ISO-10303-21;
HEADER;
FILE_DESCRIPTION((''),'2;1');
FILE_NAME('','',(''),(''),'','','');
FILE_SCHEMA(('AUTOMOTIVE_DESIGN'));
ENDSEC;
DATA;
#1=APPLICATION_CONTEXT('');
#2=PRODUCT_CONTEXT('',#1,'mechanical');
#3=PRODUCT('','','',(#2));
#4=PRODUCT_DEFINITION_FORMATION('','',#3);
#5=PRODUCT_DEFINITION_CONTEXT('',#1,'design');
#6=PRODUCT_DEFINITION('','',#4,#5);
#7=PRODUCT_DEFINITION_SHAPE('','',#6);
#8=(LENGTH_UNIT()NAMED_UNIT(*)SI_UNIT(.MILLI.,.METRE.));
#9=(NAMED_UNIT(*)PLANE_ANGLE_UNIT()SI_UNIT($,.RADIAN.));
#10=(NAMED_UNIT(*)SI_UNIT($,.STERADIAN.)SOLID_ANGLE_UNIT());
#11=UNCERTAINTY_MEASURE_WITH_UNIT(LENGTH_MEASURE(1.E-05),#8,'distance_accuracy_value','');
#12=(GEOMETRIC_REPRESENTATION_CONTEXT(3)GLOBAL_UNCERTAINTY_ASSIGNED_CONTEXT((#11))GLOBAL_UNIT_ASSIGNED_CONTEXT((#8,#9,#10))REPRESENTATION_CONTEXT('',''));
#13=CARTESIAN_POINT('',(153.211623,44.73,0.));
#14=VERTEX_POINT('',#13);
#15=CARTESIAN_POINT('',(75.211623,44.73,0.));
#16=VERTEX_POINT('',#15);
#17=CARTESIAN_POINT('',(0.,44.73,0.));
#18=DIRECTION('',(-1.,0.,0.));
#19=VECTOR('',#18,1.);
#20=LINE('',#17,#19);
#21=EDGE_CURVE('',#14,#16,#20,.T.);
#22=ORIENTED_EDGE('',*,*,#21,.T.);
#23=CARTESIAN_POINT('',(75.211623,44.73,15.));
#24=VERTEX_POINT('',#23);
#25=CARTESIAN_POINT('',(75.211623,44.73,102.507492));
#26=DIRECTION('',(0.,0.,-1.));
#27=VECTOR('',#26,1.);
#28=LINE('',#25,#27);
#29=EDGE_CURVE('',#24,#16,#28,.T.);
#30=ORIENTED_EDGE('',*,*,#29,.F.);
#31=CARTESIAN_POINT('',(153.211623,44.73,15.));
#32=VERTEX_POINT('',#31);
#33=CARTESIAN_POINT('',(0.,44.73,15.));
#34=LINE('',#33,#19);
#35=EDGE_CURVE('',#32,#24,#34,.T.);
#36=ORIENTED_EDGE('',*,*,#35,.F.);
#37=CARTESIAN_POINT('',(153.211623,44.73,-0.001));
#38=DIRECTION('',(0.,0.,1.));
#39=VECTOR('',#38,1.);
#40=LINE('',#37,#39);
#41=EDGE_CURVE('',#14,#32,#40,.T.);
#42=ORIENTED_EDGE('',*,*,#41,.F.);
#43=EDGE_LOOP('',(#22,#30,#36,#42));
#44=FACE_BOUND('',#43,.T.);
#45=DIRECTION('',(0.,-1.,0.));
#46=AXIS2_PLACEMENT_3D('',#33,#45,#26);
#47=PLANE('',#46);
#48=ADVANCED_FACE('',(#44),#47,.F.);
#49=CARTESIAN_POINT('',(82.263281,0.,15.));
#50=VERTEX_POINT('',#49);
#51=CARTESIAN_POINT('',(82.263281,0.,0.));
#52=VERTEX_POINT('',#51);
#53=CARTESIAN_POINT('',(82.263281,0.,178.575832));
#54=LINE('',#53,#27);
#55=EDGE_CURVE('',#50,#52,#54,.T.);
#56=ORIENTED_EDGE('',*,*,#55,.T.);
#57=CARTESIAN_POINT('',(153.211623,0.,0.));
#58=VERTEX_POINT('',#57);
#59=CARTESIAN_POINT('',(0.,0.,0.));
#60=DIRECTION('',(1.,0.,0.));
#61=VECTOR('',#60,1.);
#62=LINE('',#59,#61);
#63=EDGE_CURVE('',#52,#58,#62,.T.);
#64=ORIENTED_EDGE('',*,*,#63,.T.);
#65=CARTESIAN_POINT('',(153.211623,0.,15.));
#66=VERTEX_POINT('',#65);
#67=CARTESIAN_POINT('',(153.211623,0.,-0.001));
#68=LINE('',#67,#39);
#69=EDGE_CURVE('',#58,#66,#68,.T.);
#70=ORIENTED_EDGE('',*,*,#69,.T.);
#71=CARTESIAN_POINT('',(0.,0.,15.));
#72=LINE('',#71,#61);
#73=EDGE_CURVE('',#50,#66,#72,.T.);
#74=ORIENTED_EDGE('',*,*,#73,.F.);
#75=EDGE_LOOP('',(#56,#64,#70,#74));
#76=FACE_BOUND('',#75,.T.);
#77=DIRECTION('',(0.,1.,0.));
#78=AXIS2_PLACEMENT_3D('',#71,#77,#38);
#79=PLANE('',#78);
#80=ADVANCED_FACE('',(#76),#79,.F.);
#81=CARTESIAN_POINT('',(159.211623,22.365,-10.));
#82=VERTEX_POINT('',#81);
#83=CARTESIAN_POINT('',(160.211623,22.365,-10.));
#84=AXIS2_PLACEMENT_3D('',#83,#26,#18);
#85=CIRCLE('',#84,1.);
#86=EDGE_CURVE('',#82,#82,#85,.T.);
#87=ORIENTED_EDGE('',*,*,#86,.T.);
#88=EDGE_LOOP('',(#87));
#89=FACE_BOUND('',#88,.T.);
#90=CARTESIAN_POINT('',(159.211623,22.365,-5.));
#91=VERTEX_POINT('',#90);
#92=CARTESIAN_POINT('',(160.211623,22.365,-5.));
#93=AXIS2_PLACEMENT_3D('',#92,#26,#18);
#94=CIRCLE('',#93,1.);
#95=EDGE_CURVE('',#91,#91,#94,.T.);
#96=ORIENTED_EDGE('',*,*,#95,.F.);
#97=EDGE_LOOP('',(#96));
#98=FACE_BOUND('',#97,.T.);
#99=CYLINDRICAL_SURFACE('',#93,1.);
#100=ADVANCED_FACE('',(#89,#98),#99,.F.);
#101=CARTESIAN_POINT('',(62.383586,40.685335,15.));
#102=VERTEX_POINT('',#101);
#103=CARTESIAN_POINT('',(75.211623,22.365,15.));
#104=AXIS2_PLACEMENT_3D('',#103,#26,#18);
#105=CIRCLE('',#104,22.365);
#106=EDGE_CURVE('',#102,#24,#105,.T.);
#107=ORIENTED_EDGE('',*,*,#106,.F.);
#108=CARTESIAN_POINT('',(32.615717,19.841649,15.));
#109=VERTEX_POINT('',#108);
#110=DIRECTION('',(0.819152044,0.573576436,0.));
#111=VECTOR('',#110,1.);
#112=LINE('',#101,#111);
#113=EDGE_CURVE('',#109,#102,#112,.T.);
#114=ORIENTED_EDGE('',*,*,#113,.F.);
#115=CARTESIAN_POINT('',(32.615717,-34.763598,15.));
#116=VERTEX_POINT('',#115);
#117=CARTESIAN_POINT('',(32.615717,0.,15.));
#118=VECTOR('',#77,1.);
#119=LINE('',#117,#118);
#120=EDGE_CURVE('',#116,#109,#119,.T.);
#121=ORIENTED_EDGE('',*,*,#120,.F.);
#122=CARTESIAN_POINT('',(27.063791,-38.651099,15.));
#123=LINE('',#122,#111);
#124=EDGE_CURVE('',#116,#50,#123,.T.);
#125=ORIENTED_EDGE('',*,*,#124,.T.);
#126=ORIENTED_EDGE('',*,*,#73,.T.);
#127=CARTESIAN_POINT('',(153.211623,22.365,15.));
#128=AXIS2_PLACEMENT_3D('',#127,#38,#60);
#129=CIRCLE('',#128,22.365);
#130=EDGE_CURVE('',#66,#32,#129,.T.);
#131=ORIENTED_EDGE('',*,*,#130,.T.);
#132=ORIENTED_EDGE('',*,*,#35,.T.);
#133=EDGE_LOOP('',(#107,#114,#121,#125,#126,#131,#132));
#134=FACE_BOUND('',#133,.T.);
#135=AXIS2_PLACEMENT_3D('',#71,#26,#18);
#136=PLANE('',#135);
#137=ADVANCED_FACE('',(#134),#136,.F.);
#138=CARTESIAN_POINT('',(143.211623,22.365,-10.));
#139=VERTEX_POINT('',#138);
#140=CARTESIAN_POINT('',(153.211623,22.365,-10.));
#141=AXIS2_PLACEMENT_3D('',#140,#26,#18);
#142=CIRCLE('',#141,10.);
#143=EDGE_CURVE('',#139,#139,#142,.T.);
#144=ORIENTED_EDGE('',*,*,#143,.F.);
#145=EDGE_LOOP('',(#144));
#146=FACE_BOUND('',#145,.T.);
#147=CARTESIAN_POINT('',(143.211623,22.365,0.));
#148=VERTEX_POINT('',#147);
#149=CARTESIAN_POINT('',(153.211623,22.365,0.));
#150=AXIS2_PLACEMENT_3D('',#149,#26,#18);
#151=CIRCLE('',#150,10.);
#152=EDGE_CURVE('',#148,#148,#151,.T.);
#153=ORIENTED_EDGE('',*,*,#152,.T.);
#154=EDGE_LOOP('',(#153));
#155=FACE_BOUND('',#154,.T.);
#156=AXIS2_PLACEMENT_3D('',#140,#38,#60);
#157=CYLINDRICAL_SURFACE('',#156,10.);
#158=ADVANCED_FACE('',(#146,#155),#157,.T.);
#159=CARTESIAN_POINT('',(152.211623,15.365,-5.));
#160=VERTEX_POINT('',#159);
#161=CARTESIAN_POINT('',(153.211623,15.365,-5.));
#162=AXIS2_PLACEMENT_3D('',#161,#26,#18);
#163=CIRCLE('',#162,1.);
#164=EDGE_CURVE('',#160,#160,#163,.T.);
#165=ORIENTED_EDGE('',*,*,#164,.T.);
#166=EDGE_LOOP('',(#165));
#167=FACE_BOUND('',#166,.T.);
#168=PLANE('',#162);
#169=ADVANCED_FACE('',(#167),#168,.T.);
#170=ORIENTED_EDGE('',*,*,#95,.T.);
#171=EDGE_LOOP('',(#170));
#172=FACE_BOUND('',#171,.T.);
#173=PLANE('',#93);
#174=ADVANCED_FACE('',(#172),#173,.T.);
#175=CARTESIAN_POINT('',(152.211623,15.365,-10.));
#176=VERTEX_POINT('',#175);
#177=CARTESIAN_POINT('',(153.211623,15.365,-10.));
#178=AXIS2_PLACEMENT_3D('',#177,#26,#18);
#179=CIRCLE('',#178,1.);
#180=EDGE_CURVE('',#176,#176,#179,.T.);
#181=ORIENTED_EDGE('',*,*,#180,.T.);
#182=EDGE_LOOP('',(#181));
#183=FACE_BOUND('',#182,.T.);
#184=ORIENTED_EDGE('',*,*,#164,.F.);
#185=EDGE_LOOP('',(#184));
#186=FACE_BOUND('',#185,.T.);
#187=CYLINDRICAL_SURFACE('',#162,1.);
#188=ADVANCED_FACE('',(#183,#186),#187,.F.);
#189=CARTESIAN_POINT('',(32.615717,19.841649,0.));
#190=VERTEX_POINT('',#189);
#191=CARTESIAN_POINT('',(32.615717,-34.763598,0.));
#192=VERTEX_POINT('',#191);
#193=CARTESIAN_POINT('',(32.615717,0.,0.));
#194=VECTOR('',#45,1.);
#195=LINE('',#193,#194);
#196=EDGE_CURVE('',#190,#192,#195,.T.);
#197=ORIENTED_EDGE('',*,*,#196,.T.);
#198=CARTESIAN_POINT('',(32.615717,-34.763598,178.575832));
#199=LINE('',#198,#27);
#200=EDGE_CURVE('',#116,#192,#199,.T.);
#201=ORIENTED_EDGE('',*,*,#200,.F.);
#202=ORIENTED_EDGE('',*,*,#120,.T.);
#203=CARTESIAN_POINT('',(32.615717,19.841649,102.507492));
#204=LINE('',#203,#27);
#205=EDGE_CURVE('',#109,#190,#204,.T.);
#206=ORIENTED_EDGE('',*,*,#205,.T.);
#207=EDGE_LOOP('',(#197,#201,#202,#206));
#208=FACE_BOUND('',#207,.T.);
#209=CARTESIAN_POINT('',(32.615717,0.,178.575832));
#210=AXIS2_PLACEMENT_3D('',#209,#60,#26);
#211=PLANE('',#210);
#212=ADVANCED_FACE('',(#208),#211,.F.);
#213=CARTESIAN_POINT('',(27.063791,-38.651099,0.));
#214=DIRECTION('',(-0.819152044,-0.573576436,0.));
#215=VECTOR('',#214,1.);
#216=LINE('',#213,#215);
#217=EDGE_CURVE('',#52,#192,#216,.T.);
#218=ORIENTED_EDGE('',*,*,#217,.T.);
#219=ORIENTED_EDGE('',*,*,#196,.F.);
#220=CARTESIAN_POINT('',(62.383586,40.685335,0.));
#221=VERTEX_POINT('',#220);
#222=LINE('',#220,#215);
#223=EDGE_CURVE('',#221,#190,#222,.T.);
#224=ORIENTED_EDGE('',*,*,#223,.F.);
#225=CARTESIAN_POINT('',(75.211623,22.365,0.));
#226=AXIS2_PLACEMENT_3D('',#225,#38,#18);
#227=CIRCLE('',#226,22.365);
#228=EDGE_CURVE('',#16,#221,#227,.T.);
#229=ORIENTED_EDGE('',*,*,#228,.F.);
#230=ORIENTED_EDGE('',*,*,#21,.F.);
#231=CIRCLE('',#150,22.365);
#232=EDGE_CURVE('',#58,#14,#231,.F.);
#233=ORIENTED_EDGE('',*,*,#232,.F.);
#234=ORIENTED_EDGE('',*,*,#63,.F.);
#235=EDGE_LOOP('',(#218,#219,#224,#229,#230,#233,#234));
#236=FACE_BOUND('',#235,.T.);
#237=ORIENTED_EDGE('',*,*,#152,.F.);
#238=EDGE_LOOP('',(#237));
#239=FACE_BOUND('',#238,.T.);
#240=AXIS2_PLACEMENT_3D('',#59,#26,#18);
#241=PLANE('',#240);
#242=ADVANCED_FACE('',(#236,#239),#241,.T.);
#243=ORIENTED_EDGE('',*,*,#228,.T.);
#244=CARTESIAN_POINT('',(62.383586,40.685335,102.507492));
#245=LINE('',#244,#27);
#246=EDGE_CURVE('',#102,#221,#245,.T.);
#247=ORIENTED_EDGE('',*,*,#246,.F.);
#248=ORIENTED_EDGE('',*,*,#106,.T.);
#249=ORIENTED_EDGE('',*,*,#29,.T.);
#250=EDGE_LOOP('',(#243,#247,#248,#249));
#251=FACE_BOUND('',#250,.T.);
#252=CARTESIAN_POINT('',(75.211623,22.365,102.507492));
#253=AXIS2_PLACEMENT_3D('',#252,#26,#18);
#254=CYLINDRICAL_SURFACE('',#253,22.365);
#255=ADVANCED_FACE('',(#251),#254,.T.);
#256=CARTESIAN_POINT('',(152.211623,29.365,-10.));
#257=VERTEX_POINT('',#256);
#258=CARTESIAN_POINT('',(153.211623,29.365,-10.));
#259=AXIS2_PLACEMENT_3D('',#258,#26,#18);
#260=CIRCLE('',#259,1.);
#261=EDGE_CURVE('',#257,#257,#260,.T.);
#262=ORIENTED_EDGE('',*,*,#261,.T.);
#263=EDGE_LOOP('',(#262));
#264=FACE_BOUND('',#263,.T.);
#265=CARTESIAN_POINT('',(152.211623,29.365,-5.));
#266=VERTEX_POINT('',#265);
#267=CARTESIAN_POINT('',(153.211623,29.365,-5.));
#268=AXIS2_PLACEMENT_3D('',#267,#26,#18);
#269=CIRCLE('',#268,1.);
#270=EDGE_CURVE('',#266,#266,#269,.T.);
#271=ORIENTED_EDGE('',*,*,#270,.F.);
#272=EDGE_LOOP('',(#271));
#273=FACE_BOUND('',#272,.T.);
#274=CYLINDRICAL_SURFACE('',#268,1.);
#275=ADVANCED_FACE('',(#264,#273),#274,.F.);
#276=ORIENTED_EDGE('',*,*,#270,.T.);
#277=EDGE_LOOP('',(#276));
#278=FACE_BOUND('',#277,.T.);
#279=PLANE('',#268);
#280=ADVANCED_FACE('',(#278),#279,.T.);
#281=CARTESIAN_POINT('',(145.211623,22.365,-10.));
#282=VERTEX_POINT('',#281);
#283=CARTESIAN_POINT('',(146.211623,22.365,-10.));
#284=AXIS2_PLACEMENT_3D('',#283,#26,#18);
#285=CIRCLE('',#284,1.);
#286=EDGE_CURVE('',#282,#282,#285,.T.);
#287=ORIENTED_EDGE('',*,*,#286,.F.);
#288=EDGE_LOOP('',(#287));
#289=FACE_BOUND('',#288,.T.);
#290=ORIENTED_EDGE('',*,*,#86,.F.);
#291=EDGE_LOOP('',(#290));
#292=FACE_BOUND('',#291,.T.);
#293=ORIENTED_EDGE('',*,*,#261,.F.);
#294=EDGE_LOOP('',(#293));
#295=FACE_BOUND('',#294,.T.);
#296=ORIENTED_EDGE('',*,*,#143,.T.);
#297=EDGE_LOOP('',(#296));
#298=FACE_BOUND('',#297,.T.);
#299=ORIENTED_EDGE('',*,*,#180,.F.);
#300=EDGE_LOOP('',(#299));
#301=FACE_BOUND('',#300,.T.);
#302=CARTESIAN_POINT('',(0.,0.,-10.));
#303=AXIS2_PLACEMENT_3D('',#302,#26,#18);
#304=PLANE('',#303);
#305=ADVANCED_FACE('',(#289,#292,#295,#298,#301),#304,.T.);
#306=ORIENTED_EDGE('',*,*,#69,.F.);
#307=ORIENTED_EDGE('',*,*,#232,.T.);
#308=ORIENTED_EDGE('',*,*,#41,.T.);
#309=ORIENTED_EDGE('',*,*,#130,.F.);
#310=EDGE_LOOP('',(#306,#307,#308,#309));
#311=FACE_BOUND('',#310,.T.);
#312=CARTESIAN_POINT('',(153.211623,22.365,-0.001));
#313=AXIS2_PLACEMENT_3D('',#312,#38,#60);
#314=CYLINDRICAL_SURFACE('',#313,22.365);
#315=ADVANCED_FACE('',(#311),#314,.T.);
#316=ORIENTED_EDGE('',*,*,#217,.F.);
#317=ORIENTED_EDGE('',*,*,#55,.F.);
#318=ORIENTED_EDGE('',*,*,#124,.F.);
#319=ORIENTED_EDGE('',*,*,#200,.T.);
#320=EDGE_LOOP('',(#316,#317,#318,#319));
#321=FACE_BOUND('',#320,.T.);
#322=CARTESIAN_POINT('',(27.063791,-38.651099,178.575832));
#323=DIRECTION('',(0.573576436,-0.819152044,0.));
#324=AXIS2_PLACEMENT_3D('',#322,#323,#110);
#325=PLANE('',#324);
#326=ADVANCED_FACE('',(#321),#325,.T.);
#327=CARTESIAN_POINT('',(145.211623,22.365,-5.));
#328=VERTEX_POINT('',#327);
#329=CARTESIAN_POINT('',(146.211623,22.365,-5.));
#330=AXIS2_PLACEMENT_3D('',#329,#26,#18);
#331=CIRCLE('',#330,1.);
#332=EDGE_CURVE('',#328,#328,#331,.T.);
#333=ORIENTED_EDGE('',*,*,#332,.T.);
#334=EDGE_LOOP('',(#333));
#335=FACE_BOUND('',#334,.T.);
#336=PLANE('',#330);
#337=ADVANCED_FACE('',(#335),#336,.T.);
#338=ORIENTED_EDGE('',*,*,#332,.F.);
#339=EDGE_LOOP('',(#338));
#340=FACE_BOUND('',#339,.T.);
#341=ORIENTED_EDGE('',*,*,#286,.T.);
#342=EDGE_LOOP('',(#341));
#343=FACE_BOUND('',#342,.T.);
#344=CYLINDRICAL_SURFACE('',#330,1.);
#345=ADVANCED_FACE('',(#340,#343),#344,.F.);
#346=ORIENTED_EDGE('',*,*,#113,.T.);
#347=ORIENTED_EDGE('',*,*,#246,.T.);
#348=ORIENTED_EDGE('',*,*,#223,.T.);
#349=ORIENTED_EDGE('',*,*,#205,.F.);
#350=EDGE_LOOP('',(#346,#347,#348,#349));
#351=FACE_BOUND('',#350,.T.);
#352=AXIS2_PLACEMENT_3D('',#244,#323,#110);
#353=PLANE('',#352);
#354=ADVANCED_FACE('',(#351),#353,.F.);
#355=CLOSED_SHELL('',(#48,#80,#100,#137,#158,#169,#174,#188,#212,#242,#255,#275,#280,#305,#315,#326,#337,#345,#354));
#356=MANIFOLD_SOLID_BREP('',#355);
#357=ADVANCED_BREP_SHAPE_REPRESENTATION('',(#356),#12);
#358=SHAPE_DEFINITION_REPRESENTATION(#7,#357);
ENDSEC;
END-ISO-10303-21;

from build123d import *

# Parameters (mm, degrees)
SKETCH_1_W          = 300
SKETCH_1_H          = 44.73
EXTRUDE_1_DEPTH     = 15
CUT_EXTRUDE_4_REACH = 305.687
SKETCH_6_R          = 10
EXTRUDE_2_DEPTH     = 10
SKETCH_7_R          = 1
CUT_EXTRUDE_6_DEPTH = 5
EXTRUDE_START       = 15
EXTRUDE_5_DEPTH     = 15
CUT_EXTRUDE_7_DEPTH = 15


with BuildPart() as part:
    # 草图1 → 凸台-拉伸1 (new body)
    with BuildSketch(Plane.XY):
        with Locations((150, 22.365)):
            Rectangle(SKETCH_1_W, SKETCH_1_H)
    extrude(amount=EXTRUDE_1_DEPTH)

    # 草图4 → 切除-拉伸4 (cut, up to next)
    with BuildSketch(Plane.XY.offset(15), mode=Mode.PRIVATE) as cut_extrude_4_sk1:
        with BuildLine():
            Line((300, 44.73), (153.211623388, 44.73))
            ThreePointArc((153.211623388, 44.73), (175.576623388, 22.365), (153.211623388, 0))
            Line((153.211623388, 0), (300, 0))
            Line((300, 0), (300, 44.73))
        make_face()
    cut_extrude_4_tool1 = extrude(cut_extrude_4_sk1.sketch, amount=-CUT_EXTRUDE_4_REACH, mode=Mode.PRIVATE) & part.part
    add(cut_extrude_4_tool1.solids().sort_by_distance((235.292113, 22.365, 15))[0], mode=Mode.SUBTRACT)

    # 草图6 → 凸台-拉伸2 (add)
    with BuildSketch(Plane(origin=(0, 0, 0), x_dir=(-1, 0, 0), z_dir=(0, 0, -1))):
        with Locations((-153.211623388, 22.365)):
            Circle(SKETCH_6_R)
    extrude(amount=EXTRUDE_2_DEPTH)

    # 草图7 → 切除-拉伸6 (cut)
    with BuildSketch(Plane(origin=(0, 0, -10), x_dir=(-1, 0, 0), z_dir=(0, 0, -1))):
        with Locations((-153.211623388, 29.365)):
            Circle(SKETCH_7_R)
        with Locations((-146.211623388, 22.365)):
            Circle(SKETCH_7_R)
        with Locations((-153.211623388, 15.365)):
            Circle(SKETCH_7_R)
        with Locations((-160.211623388, 22.365)):
            Circle(SKETCH_7_R)
    extrude(amount=-CUT_EXTRUDE_6_DEPTH, mode=Mode.SUBTRACT)

    # 草图9 → 凸台-拉伸5 (add)
    # profile 1 of 8: a face of its own
    with BuildSketch(Plane.XY.offset(EXTRUDE_START)):
        with BuildLine():
            ThreePointArc((56.891287917, 9.536963001), (53.186397992, 26.248641494), (62.383586389, 40.685335471))
            Line((62.383586389, 40.685335471), (32.615717085, 19.841648987))
            Line((32.615717085, 19.841648987), (32.615717085, -7.46097469))
            Line((32.615717085, -7.46097469), (56.891287917, 9.536963001))
        make_face()
    # profile 2 of 8: a face of its own
    with BuildSketch(Plane.XY.offset(EXTRUDE_START)):
        with BuildLine():
            ThreePointArc((75.211623388, 0), (64.884615653, 2.527002716), (56.891287917, 9.536963001))
            Line((56.891287917, 9.536963001), (32.615717085, -7.46097469))
            Line((32.615717085, -7.46097469), (32.615717085, -34.763598368))
            Line((32.615717085, -34.763598368), (82.263280801, 0))
            Line((82.263280801, 0), (75.211623388, 0))
        make_face()
    # profile 3 of 8: a face of its own
    with BuildSketch(Plane.XY.offset(EXTRUDE_START)):
        with BuildLine():
            ThreePointArc((97.576623388, 22.365), (91.026066549, 38.179443161), (75.211623388, 44.73))
            ThreePointArc((75.211623388, 44.73), (68.486338182, 43.694879603), (62.383586389, 40.685335471))
            ThreePointArc((62.383586389, 40.685335471), (53.186397992, 26.248641494), (56.891287917, 9.536963001))
            Line((56.891287917, 9.536963001), (75.211623388, 22.365))
            Line((75.211623388, 22.365), (97.576623388, 22.365))
        make_face()
    # profile 4 of 8: a face of its own
    with BuildSketch(Plane.XY.offset(EXTRUDE_START)):
        with BuildLine():
            ThreePointArc((88.039660387, 4.044664529), (95.049620672, 12.037992265), (97.576623388, 22.365))
            Line((97.576623388, 22.365), (75.211623388, 22.365))
            Line((75.211623388, 22.365), (56.891287917, 9.536963001))
            ThreePointArc((56.891287917, 9.536963001), (64.884615653, 2.527002716), (75.211623388, 0))
            ThreePointArc((75.211623388, 0), (81.936908594, 1.035120397), (88.039660387, 4.044664529))
        make_face()
    # profile 5 of 8: a face of its own
    with BuildSketch(Plane.XY.offset(EXTRUDE_START)):
        with BuildLine():
            ThreePointArc((153.211623388, 0), (137.397180227, 6.550556839), (130.846623388, 22.365))
            Line((130.846623388, 22.365), (97.576623388, 22.365))
            ThreePointArc((97.576623388, 22.365), (95.049620672, 12.037992265), (88.039660387, 4.044664529))
            Line((88.039660387, 4.044664529), (82.263280801, 0))
            Line((82.263280801, 0), (153.211623388, 0))
        make_face()
    # profile 6 of 8: a face of its own
    with BuildSketch(Plane.XY.offset(EXTRUDE_START)):
        with BuildLine():
            ThreePointArc((130.846623388, 22.365), (137.397180227, 38.179443161), (153.211623388, 44.73))
            Line((153.211623388, 44.73), (75.211623388, 44.73))
            ThreePointArc((75.211623388, 44.73), (91.026066549, 38.179443161), (97.576623388, 22.365))
            Line((97.576623388, 22.365), (130.846623388, 22.365))
        make_face()
    # profile 7 of 8: a face of its own
    with BuildSketch(Plane.XY.offset(EXTRUDE_START)):
        with BuildLine():
            ThreePointArc((175.576623388, 22.365), (169.026066549, 38.179443161), (153.211623388, 44.73))
            ThreePointArc((153.211623388, 44.73), (137.397180227, 38.179443161), (130.846623388, 22.365))
            ThreePointArc((130.846623388, 22.365), (137.397180227, 6.550556839), (153.211623388, 0))
            ThreePointArc((153.211623388, 0), (169.026066549, 6.550556839), (175.576623388, 22.365))
        make_face()
        with BuildLine():
            ThreePointArc((163.211623388, 22.365), (153.211623388, 12.365), (143.211623388, 22.365))
            ThreePointArc((143.211623388, 22.365), (153.211623388, 32.365), (163.211623388, 22.365))
        make_face(mode=Mode.SUBTRACT)
    # profile 8 of 8: a face of its own
    with BuildSketch(Plane.XY.offset(EXTRUDE_START)):
        with BuildLine():
            Line((82.263280801, 0), (88.039660387, 4.044664529))
            ThreePointArc((88.039660387, 4.044664529), (81.936908594, 1.035120397), (75.211623388, 0))
            Line((75.211623388, 0), (82.263280801, 0))
        make_face()
    extrude(amount=-EXTRUDE_5_DEPTH)

    # 草图10 → 切除-拉伸7 (cut)
    with BuildSketch(Plane(origin=(0, 0, 0), x_dir=(-1, 0, 0), z_dir=(0, 0, -1))):
        with BuildLine():
            Line((-32.615717085, 19.841648987), (-32.615717085, 0))
            Line((-32.615717085, 0), (0, 0))
            Line((0, 0), (0, 44.73))
            Line((0, 44.73), (-75.211623388, 44.73))
            ThreePointArc((-75.211623388, 44.73), (-68.486338182, 43.694879603), (-62.383586389, 40.685335471))
            Line((-62.383586389, 40.685335471), (-32.615717085, 19.841648987))
        make_face()
    extrude(amount=-CUT_EXTRUDE_7_DEPTH, mode=Mode.SUBTRACT)


solid = part.part
